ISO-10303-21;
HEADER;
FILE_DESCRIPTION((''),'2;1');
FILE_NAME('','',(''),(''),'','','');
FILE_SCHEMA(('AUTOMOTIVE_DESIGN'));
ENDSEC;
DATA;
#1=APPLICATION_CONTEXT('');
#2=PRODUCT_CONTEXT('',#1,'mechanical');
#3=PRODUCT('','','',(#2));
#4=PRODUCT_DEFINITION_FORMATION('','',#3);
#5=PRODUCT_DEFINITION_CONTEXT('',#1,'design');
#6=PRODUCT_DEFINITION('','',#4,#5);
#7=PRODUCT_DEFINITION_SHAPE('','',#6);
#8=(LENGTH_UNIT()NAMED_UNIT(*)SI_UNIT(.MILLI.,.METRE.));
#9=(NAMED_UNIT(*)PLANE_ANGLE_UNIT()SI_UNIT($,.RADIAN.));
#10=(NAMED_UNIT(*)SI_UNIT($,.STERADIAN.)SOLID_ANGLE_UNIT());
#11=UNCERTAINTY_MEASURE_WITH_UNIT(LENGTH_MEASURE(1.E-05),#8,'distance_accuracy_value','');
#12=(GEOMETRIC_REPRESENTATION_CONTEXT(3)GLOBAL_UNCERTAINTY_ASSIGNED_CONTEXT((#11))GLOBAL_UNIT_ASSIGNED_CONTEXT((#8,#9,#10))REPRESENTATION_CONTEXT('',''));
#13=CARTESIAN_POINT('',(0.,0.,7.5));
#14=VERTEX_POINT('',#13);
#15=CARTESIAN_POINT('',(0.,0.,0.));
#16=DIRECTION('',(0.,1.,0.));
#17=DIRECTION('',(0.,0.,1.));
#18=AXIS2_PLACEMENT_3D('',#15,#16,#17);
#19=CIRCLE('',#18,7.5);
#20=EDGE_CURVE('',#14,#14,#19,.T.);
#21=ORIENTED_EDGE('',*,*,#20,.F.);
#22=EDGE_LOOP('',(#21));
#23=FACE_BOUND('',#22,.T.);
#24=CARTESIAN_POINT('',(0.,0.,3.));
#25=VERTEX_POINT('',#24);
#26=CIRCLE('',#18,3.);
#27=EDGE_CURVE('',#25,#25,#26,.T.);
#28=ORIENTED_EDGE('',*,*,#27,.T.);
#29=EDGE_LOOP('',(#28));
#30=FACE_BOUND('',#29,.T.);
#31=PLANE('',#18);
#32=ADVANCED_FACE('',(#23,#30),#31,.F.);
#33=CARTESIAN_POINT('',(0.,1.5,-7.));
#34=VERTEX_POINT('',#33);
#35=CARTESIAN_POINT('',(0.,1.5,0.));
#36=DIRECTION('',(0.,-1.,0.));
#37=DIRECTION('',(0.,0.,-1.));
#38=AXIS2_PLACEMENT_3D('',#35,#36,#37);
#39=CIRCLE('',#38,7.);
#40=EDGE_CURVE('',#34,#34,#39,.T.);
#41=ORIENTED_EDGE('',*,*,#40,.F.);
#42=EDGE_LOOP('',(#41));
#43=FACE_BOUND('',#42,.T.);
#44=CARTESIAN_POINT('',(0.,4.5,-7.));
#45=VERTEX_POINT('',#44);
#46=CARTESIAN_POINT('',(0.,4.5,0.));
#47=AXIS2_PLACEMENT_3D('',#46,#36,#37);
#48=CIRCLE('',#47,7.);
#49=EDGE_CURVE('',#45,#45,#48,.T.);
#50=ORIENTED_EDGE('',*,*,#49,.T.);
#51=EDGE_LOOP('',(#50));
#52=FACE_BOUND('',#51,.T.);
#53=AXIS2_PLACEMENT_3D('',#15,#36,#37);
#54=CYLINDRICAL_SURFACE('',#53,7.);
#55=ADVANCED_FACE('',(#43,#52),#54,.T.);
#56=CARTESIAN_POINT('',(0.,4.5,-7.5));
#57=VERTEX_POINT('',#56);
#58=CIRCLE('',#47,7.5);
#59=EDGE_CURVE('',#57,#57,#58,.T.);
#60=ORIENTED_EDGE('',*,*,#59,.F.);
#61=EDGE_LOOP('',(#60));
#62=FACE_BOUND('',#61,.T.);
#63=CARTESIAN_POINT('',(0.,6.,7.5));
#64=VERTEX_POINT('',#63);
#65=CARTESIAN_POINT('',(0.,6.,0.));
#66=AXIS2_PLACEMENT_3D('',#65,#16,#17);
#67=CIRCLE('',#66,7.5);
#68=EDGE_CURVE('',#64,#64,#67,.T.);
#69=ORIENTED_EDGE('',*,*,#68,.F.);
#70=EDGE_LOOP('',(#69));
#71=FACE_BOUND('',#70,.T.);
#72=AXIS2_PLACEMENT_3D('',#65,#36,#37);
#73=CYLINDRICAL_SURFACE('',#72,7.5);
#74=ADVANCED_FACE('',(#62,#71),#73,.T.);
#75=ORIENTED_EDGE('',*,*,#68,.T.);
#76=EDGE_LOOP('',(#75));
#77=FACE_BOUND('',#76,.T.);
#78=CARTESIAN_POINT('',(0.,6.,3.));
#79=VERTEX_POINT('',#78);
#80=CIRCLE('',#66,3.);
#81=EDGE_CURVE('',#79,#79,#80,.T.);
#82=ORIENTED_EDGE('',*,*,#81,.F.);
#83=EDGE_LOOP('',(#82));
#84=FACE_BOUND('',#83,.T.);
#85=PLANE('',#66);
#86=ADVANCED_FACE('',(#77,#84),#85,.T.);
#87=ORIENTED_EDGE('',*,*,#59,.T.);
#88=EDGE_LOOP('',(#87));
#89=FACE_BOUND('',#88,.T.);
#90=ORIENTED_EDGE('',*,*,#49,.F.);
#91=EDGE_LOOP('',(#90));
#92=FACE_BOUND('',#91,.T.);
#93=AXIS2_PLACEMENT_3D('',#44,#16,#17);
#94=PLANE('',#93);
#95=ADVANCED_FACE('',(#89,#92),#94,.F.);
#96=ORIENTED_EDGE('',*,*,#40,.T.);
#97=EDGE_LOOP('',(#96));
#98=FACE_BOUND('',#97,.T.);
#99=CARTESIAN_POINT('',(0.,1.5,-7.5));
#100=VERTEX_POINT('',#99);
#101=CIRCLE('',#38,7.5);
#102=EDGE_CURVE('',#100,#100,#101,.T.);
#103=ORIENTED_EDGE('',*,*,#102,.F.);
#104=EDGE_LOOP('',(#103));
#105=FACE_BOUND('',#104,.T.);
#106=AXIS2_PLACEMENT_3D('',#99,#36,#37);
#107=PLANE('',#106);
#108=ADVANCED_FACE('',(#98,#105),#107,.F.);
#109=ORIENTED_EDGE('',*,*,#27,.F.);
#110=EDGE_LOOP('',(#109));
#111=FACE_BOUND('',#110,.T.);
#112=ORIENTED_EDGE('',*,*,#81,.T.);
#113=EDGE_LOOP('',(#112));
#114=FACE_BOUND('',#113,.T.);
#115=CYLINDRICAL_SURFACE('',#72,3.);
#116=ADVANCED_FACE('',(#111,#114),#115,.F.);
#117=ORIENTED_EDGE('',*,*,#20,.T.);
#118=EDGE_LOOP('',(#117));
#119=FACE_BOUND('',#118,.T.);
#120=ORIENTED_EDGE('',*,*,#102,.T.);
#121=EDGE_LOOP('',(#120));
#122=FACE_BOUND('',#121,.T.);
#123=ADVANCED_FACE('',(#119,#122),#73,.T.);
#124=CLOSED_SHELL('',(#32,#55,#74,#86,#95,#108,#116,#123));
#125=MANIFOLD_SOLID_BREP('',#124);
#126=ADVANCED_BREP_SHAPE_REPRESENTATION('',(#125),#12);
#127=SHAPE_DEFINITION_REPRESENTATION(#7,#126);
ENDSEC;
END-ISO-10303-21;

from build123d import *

# Parameters (mm, degrees)
SKETCH1_R           = 7.5
SKETCH1_R_2         = 3
BOSS_EXTRUDE1_DEPTH = 6
SKETCH2_W           = 0.5
SKETCH2_H           = 3


with BuildPart() as part:
    # Sketch1 → Boss-Extrude1 (new body)
    with BuildSketch(Plane(origin=(0, 0, 0), x_dir=(1, 0, 0), z_dir=(0, 1, 0))):
        Circle(SKETCH1_R)
        Circle(SKETCH1_R_2, mode=Mode.SUBTRACT)
    extrude(amount=BOSS_EXTRUDE1_DEPTH)

    # Sketch2 → Cut-Revolve1 (revolve, cut)
    with BuildSketch(Plane(origin=(0, 0, 0), x_dir=(0, 0, -1), z_dir=(1, 0, 0))):
        with Locations((7.25, 3)):
            Rectangle(SKETCH2_W, SKETCH2_H)
    revolve(axis=Axis((0, 0, 0), (0, 1, 0)), mode=Mode.SUBTRACT)


solid = part.part
